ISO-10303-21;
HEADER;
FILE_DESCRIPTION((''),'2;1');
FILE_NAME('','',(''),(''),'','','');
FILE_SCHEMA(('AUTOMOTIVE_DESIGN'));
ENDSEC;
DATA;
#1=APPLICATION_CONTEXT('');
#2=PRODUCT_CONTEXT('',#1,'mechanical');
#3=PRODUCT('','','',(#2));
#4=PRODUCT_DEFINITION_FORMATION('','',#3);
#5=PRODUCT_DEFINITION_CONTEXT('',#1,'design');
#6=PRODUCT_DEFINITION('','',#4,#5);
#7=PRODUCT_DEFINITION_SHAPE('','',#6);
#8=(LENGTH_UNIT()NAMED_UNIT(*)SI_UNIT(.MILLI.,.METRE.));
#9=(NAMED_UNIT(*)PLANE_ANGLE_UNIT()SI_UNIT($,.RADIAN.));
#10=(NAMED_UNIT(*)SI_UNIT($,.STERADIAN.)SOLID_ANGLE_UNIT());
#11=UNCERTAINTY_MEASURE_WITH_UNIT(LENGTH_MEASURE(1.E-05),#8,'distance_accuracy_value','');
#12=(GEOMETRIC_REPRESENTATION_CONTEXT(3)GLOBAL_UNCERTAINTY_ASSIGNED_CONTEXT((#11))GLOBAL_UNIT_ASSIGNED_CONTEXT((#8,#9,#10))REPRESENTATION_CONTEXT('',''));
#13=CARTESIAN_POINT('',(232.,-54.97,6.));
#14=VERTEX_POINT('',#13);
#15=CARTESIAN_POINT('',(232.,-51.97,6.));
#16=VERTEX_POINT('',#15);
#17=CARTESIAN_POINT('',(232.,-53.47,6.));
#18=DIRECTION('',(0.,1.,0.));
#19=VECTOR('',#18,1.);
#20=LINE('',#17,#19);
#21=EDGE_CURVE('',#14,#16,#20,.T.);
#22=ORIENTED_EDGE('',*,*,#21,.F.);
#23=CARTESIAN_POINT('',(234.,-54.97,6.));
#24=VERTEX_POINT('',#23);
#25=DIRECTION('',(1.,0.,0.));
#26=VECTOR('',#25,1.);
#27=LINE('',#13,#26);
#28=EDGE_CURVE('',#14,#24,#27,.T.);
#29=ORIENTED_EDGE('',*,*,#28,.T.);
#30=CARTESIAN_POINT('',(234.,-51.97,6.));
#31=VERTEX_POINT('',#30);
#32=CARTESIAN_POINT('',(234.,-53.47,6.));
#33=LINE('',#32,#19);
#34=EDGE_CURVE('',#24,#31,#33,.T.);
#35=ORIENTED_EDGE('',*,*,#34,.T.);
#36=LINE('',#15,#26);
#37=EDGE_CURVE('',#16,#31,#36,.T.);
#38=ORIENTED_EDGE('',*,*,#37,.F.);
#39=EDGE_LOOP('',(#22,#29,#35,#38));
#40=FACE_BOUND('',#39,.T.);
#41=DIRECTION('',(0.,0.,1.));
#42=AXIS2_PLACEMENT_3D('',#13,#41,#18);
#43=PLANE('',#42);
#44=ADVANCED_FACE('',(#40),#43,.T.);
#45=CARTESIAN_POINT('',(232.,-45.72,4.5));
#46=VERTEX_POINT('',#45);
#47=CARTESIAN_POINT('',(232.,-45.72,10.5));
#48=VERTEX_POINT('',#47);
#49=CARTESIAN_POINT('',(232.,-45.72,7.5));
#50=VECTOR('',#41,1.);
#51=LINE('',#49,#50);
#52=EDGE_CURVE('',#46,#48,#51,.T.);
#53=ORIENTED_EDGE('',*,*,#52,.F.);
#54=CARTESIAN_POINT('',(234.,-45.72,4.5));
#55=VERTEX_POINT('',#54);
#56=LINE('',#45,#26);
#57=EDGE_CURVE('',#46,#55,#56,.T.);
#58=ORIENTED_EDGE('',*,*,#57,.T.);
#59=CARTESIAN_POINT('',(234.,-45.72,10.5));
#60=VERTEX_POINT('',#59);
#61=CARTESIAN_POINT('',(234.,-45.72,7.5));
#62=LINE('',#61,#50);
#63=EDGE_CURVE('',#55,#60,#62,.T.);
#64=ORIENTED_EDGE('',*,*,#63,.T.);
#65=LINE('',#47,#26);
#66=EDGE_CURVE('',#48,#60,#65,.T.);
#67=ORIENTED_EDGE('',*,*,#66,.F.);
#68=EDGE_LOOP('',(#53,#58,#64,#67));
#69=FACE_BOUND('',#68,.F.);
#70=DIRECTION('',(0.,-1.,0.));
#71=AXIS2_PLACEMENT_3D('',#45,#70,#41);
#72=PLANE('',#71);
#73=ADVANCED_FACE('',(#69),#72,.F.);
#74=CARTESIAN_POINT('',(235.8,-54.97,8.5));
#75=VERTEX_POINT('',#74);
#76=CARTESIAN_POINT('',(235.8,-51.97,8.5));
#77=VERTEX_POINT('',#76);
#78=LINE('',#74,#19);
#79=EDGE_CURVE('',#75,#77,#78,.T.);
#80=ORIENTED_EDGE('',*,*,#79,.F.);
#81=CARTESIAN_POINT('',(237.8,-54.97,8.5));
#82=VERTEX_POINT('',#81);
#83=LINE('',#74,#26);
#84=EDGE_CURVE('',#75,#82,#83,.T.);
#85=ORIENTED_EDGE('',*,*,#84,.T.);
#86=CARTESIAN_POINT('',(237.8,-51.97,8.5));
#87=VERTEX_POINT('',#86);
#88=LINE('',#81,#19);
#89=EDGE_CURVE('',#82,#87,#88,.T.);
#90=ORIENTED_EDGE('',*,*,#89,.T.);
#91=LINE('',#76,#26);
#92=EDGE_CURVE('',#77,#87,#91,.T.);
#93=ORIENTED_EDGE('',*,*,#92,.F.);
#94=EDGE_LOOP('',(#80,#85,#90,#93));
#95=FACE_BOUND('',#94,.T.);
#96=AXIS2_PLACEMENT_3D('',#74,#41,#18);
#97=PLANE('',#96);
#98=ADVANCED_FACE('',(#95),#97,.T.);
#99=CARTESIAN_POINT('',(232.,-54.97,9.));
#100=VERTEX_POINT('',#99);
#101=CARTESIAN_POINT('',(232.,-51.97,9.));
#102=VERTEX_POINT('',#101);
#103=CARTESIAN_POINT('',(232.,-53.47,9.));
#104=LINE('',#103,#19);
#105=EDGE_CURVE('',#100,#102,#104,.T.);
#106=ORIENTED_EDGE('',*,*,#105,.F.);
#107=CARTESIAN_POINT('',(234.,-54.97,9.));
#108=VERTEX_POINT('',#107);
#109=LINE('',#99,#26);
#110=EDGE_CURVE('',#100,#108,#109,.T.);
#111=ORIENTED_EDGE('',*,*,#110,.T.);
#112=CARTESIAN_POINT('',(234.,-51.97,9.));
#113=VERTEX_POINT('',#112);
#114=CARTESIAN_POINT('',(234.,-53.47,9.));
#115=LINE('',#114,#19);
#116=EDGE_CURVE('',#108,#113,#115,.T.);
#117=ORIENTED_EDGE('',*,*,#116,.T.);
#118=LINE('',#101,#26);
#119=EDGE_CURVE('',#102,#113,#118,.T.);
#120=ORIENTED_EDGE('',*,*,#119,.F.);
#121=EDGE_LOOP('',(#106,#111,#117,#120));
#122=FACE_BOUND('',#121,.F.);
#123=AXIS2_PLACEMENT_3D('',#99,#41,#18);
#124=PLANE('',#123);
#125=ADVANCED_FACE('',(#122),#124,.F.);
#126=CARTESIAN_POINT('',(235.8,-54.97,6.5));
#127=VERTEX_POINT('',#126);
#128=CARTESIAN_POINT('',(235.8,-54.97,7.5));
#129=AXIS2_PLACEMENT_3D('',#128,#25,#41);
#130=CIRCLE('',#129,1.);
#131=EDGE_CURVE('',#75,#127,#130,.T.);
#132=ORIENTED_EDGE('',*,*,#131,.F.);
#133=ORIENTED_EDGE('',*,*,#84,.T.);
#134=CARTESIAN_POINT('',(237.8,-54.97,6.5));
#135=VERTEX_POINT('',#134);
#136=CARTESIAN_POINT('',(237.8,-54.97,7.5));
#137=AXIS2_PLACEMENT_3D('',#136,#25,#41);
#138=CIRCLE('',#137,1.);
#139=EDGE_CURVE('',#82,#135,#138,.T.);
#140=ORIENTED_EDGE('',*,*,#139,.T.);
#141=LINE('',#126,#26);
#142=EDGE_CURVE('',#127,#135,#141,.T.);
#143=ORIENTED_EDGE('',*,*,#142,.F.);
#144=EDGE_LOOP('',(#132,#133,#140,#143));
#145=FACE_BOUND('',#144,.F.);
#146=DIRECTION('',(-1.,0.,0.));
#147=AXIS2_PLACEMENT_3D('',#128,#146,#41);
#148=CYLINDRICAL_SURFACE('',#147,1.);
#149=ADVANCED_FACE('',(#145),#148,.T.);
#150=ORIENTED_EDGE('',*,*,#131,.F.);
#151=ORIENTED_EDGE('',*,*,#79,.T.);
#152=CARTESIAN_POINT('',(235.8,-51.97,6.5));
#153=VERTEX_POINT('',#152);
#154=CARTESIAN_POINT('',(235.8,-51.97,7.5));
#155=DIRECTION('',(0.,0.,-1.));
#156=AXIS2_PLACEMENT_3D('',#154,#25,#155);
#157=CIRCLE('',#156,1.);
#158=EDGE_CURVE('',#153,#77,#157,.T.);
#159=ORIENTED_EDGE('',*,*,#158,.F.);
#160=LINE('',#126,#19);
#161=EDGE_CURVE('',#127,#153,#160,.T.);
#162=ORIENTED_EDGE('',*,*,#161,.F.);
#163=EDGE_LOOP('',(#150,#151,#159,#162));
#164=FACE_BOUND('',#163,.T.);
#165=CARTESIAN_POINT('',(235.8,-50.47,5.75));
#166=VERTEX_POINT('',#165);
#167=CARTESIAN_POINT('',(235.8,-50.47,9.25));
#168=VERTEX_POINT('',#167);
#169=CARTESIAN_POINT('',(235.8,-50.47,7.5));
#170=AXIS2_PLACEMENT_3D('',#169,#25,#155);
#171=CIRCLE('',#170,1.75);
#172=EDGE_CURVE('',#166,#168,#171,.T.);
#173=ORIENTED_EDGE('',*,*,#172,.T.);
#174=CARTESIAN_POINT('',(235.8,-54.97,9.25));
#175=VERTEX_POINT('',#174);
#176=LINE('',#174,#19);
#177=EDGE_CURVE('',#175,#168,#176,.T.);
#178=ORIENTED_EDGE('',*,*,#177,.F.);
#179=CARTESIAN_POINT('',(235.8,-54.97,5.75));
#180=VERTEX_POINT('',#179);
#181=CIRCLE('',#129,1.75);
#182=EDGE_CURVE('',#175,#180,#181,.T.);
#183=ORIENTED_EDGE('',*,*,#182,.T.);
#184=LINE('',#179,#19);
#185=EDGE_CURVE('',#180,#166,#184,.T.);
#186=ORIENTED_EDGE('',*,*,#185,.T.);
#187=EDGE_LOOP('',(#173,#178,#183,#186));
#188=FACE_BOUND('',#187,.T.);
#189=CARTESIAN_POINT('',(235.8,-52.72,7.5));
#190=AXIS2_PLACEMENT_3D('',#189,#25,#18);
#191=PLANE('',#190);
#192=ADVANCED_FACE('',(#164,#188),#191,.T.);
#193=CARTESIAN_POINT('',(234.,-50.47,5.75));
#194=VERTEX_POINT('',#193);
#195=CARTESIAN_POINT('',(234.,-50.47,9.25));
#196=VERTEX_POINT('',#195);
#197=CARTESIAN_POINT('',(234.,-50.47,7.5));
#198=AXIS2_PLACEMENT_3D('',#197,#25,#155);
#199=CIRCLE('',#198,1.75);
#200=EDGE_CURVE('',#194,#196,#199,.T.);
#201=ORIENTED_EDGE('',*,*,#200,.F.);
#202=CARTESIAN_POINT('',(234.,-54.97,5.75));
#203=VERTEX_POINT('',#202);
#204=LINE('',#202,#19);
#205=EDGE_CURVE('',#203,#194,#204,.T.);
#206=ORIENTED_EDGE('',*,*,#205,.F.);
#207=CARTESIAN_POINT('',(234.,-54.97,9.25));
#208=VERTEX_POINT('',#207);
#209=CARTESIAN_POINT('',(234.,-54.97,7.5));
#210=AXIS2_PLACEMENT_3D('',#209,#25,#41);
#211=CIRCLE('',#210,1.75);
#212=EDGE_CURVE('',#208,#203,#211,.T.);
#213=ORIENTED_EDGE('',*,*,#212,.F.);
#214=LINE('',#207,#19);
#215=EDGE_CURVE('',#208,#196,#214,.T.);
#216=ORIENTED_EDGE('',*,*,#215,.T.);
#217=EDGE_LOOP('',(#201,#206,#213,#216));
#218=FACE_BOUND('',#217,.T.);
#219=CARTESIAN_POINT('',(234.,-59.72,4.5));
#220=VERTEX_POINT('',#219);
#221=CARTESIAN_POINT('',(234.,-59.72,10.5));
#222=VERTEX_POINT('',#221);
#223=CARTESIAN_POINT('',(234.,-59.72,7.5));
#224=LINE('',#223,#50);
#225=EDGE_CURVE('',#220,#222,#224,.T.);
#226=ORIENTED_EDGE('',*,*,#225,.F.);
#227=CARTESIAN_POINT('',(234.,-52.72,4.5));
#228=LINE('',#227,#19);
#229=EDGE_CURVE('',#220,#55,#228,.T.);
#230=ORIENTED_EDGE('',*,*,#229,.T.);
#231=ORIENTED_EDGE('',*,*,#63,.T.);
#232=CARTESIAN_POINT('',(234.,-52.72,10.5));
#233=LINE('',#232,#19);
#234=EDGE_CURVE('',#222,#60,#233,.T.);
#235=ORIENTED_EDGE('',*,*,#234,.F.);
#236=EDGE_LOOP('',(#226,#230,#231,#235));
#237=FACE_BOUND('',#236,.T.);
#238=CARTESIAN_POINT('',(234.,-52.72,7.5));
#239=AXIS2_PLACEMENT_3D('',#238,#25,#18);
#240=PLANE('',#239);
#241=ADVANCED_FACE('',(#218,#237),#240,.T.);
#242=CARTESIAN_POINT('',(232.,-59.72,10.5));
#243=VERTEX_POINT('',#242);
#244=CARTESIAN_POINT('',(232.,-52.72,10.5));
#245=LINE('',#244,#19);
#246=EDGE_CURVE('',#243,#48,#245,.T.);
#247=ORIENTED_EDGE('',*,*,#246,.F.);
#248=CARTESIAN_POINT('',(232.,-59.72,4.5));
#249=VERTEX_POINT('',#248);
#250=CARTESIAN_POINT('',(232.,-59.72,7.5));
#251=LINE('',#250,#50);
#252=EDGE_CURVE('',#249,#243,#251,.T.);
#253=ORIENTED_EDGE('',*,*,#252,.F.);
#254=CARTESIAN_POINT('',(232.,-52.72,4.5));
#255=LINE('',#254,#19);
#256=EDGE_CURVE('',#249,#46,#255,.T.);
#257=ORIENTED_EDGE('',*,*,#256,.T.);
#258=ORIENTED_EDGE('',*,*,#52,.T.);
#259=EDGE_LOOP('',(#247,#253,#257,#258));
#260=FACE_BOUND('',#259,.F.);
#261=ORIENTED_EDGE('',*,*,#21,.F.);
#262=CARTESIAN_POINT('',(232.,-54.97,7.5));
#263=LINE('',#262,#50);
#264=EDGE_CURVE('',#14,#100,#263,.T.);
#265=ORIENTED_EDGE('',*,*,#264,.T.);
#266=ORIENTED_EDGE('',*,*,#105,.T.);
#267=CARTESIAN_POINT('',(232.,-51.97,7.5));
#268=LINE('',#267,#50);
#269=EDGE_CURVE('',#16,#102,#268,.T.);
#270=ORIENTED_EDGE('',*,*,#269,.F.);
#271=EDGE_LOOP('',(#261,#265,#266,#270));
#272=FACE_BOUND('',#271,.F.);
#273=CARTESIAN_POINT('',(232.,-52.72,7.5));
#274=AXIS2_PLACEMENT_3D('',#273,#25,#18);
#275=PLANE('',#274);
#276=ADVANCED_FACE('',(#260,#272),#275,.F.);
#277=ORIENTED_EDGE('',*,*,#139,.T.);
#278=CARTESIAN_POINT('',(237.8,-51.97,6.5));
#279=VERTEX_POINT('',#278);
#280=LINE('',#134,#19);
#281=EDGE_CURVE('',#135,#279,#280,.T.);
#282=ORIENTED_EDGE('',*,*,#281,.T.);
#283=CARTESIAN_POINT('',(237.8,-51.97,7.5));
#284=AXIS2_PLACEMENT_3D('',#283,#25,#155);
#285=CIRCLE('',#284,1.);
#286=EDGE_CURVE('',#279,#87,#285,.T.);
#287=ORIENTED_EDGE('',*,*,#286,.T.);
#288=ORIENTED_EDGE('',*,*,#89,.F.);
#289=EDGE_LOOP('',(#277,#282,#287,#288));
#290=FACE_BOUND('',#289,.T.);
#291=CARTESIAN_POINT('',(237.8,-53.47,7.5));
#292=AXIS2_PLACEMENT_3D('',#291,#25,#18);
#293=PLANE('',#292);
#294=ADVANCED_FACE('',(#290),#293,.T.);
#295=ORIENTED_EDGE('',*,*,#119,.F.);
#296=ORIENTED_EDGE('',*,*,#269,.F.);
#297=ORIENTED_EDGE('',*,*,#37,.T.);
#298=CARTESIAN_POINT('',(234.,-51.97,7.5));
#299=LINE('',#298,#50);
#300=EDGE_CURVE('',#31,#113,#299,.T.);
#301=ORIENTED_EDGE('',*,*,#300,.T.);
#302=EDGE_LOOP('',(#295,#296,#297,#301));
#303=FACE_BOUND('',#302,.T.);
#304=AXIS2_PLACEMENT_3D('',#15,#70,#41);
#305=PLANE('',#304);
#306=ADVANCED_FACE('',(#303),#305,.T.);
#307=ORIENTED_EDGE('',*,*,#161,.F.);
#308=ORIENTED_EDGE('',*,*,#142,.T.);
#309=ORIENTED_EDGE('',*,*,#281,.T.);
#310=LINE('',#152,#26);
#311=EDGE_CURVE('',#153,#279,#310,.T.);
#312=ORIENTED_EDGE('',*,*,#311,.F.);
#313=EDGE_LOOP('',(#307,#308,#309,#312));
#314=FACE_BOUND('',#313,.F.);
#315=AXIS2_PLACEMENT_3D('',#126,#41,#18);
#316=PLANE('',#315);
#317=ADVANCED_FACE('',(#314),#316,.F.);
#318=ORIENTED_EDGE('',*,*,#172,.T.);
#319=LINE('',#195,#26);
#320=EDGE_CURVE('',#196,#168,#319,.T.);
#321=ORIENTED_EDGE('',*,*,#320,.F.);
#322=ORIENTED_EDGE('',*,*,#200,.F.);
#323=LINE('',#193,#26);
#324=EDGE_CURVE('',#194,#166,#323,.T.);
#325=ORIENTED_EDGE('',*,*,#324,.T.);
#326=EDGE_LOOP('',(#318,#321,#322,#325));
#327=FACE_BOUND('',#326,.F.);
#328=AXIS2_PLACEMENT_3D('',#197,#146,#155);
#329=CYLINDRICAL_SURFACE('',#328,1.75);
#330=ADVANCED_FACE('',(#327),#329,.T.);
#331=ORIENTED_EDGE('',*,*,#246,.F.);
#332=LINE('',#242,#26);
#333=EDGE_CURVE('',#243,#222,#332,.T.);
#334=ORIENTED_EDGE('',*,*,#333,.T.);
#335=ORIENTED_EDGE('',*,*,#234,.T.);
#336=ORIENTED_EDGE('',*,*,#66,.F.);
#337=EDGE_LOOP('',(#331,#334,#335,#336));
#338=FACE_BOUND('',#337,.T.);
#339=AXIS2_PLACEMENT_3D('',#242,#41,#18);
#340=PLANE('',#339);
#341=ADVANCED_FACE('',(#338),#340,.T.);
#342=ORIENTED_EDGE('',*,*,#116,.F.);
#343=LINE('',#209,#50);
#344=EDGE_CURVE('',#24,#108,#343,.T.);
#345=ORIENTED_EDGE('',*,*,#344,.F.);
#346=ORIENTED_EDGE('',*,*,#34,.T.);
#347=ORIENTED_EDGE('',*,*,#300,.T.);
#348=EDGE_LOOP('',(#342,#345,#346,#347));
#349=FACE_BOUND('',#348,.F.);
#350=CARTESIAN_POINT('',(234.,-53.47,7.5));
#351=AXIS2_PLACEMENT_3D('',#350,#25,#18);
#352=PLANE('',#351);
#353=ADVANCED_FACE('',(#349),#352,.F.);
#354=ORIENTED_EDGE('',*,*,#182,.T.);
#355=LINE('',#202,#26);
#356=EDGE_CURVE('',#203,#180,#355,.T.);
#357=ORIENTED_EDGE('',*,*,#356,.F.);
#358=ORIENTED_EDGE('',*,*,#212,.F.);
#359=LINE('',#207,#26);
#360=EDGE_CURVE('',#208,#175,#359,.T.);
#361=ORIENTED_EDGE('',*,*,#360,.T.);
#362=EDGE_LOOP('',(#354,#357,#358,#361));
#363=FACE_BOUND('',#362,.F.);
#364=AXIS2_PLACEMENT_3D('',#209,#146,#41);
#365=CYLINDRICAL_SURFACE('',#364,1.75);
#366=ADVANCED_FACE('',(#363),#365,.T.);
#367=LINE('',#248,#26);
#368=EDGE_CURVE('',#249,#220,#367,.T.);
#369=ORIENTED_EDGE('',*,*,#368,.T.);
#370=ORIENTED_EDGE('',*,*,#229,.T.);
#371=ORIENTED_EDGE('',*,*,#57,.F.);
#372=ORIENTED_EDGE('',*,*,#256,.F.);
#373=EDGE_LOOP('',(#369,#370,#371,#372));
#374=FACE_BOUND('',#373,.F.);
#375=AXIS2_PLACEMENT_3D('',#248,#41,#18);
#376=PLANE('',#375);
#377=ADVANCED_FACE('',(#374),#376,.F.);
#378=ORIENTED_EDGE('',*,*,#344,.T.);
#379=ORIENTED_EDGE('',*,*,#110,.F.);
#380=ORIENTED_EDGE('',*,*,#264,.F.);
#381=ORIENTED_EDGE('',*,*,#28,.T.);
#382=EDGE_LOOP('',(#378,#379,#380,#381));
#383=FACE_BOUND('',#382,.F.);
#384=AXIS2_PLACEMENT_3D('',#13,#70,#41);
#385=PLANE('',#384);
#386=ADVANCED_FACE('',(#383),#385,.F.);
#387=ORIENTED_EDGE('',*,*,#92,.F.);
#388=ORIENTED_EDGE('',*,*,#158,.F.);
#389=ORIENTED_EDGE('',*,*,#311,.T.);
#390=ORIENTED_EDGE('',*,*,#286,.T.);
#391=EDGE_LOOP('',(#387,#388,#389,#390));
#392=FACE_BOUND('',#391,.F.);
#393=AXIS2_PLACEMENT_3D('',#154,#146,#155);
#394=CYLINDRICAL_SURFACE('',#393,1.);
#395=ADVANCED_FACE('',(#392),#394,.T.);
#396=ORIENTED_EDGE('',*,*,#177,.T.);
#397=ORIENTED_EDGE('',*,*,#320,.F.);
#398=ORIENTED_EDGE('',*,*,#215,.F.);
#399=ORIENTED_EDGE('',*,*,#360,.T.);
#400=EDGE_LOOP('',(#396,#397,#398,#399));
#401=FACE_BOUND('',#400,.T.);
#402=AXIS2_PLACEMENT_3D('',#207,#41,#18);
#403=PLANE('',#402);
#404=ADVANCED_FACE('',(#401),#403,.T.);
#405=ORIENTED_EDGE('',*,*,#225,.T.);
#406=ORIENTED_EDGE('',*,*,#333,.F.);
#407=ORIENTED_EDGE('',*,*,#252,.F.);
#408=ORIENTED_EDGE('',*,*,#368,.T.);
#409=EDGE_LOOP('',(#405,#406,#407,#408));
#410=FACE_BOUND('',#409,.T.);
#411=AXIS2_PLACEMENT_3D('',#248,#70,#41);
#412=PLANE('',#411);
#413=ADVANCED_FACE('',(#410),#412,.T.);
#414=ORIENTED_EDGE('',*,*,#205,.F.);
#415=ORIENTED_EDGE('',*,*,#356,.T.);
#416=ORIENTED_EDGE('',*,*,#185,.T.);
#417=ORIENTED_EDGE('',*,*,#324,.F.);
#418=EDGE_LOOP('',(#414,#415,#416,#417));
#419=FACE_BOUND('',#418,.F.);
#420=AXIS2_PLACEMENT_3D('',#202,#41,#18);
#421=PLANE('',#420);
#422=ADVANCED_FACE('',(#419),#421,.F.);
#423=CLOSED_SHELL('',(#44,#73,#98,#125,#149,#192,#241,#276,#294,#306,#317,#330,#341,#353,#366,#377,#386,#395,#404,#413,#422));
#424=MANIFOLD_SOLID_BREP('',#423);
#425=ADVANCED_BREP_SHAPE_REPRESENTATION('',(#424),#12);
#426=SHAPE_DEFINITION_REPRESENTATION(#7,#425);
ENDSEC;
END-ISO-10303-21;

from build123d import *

# Parameters (mm, degrees)
SKETCH052_W     = 14
SKETCH052_H     = 6
PAD022_DEPTH    = 2
PAD023_DEPTH    = 1.8
PAD024_DEPTH    = 2
SKETCH056_W     = 3
SKETCH056_H     = 3
POCKET025_DEPTH = 2


with BuildPart() as part:
    # Sketch052 → Pad022 (new body)
    with BuildSketch(Plane(origin=(232, -0.5, 0.8), x_dir=(0, 1, 0), z_dir=(1, 0, 0))):
        with Locations((-52.22, 6.7)):
            Rectangle(SKETCH052_W, SKETCH052_H)
    extrude(amount=PAD022_DEPTH)

    # Sketch053 (on Face6 of Pad022) → Pad023 (join)
    with BuildSketch(Plane.YZ.offset(234)):
        with BuildLine():
            ThreePointArc((-54.97, 9.25), (-56.72, 7.5), (-54.97, 5.75))
            Line((-54.97, 5.75), (-50.47, 5.75))
            ThreePointArc((-50.47, 5.75), (-48.72, 7.5), (-50.47, 9.25))
            Line((-54.97, 9.25), (-50.47, 9.25))
        make_face()
    extrude(amount=PAD023_DEPTH)

    # Sketch054 (on Face11 of Pad023) → Pad024 (join)
    with BuildSketch(Plane.YZ.offset(235.8)):
        with BuildLine():
            ThreePointArc((-54.97, 8.5), (-55.97, 7.5), (-54.97, 6.5))
            Line((-54.97, 6.5), (-51.97, 6.5))
            ThreePointArc((-51.97, 6.5), (-50.97, 7.5), (-51.97, 8.5))
            Line((-54.97, 8.5), (-51.97, 8.5))
        make_face()
    extrude(amount=PAD024_DEPTH)

    # Sketch056 (on Face16 of Pad024) → Pocket025 (cut)
    with BuildSketch(Plane.YZ.offset(232)):
        with Locations((-53.47, 7.5)):
            Rectangle(SKETCH056_W, SKETCH056_H)
    extrude(amount=POCKET025_DEPTH, mode=Mode.SUBTRACT)


solid = part.part
